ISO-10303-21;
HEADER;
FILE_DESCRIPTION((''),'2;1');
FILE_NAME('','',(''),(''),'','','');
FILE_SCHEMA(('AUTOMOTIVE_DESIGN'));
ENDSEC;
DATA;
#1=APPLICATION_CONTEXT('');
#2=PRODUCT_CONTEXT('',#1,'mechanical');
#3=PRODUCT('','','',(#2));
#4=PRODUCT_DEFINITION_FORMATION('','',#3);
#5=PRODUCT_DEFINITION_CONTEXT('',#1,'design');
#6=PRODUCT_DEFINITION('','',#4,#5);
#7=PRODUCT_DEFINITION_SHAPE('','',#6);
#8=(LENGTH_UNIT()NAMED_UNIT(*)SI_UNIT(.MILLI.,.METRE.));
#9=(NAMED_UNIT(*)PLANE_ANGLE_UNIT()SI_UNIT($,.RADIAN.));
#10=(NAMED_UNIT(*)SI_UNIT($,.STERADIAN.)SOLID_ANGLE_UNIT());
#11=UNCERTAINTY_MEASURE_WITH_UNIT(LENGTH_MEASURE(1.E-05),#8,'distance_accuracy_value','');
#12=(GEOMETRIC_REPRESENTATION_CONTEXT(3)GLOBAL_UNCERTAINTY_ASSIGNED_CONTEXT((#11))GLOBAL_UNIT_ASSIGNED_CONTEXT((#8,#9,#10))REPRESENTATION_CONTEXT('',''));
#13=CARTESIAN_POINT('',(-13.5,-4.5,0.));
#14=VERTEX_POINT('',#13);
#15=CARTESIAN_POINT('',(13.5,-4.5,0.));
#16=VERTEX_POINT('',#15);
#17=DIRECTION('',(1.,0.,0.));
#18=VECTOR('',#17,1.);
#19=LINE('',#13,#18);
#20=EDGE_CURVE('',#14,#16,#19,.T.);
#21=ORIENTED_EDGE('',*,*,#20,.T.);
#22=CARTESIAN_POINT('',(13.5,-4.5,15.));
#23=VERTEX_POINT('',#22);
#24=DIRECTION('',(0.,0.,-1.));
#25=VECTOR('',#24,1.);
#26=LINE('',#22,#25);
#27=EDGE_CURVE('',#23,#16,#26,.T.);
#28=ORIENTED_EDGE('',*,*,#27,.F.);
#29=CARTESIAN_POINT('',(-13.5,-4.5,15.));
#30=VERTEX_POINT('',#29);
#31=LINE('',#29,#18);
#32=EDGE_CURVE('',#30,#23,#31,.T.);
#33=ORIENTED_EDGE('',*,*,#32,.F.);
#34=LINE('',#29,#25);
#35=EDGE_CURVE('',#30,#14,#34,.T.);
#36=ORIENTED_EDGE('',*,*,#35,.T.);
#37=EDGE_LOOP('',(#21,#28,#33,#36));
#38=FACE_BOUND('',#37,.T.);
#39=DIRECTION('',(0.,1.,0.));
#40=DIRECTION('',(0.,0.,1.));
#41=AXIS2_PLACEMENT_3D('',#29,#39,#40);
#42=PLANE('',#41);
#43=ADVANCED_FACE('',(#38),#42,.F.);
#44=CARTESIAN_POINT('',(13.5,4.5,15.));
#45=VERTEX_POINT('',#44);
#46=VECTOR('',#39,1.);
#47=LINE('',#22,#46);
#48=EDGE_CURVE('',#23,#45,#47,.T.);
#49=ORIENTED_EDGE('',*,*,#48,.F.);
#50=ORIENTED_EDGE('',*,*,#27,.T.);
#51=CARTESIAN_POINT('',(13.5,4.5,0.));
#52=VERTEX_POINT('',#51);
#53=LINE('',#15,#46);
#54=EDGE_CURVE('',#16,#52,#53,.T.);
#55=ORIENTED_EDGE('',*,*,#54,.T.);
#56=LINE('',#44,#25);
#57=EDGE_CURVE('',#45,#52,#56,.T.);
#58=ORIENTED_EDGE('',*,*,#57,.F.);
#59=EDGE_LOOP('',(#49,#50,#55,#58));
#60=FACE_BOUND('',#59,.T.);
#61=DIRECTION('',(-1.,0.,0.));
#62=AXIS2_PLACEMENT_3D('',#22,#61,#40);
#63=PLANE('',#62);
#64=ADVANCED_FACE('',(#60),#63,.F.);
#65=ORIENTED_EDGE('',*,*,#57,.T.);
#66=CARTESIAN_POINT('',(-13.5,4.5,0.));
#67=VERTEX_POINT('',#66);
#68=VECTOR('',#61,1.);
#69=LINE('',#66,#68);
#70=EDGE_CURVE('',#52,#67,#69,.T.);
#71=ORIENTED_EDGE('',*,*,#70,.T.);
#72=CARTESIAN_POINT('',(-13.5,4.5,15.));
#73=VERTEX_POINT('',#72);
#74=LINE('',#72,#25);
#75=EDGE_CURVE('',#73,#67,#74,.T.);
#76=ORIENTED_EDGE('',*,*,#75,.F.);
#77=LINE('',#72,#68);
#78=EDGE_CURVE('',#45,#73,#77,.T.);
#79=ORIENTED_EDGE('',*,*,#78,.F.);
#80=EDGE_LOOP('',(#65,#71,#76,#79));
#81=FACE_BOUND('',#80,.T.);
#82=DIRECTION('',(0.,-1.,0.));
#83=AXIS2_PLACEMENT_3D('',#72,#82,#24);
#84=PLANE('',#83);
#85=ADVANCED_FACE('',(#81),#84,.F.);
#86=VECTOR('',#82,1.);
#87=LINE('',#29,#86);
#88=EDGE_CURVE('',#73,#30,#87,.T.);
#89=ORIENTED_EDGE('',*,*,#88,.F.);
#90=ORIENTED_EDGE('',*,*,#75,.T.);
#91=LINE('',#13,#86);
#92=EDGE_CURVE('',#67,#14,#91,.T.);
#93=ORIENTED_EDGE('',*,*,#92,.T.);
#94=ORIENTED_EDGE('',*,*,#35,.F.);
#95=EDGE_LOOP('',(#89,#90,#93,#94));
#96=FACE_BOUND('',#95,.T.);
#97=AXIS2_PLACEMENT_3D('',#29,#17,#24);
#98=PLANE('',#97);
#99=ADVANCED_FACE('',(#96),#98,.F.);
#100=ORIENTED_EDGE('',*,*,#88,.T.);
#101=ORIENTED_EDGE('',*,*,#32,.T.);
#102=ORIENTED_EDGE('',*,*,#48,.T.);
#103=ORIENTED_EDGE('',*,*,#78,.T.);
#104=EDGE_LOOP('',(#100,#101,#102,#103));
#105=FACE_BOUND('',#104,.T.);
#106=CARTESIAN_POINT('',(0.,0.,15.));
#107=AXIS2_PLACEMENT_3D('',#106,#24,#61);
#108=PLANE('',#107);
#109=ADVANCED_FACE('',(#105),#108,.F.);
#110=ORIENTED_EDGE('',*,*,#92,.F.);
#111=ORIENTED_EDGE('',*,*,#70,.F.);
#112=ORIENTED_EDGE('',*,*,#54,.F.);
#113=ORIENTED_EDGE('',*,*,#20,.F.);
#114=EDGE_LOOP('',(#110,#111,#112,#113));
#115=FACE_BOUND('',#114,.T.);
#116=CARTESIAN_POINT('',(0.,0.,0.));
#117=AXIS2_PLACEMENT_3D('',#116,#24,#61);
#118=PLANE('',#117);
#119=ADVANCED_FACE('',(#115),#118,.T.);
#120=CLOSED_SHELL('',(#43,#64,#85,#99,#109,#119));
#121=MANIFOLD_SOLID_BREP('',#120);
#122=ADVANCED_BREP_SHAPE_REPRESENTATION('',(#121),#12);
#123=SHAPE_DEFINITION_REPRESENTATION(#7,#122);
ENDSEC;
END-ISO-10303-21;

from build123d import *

# Parameters (mm, degrees)
SKETCH_2_W      = 27
SKETCH_2_H      = 9
EXTRUDE_1_DEPTH = 15


with BuildPart() as part:
    # Эскиз2 → Бобышка-Вытянуть1 (new body)
    with BuildSketch(Plane.XY):
        Rectangle(SKETCH_2_W, SKETCH_2_H)
    extrude(amount=EXTRUDE_1_DEPTH)


solid = part.part
